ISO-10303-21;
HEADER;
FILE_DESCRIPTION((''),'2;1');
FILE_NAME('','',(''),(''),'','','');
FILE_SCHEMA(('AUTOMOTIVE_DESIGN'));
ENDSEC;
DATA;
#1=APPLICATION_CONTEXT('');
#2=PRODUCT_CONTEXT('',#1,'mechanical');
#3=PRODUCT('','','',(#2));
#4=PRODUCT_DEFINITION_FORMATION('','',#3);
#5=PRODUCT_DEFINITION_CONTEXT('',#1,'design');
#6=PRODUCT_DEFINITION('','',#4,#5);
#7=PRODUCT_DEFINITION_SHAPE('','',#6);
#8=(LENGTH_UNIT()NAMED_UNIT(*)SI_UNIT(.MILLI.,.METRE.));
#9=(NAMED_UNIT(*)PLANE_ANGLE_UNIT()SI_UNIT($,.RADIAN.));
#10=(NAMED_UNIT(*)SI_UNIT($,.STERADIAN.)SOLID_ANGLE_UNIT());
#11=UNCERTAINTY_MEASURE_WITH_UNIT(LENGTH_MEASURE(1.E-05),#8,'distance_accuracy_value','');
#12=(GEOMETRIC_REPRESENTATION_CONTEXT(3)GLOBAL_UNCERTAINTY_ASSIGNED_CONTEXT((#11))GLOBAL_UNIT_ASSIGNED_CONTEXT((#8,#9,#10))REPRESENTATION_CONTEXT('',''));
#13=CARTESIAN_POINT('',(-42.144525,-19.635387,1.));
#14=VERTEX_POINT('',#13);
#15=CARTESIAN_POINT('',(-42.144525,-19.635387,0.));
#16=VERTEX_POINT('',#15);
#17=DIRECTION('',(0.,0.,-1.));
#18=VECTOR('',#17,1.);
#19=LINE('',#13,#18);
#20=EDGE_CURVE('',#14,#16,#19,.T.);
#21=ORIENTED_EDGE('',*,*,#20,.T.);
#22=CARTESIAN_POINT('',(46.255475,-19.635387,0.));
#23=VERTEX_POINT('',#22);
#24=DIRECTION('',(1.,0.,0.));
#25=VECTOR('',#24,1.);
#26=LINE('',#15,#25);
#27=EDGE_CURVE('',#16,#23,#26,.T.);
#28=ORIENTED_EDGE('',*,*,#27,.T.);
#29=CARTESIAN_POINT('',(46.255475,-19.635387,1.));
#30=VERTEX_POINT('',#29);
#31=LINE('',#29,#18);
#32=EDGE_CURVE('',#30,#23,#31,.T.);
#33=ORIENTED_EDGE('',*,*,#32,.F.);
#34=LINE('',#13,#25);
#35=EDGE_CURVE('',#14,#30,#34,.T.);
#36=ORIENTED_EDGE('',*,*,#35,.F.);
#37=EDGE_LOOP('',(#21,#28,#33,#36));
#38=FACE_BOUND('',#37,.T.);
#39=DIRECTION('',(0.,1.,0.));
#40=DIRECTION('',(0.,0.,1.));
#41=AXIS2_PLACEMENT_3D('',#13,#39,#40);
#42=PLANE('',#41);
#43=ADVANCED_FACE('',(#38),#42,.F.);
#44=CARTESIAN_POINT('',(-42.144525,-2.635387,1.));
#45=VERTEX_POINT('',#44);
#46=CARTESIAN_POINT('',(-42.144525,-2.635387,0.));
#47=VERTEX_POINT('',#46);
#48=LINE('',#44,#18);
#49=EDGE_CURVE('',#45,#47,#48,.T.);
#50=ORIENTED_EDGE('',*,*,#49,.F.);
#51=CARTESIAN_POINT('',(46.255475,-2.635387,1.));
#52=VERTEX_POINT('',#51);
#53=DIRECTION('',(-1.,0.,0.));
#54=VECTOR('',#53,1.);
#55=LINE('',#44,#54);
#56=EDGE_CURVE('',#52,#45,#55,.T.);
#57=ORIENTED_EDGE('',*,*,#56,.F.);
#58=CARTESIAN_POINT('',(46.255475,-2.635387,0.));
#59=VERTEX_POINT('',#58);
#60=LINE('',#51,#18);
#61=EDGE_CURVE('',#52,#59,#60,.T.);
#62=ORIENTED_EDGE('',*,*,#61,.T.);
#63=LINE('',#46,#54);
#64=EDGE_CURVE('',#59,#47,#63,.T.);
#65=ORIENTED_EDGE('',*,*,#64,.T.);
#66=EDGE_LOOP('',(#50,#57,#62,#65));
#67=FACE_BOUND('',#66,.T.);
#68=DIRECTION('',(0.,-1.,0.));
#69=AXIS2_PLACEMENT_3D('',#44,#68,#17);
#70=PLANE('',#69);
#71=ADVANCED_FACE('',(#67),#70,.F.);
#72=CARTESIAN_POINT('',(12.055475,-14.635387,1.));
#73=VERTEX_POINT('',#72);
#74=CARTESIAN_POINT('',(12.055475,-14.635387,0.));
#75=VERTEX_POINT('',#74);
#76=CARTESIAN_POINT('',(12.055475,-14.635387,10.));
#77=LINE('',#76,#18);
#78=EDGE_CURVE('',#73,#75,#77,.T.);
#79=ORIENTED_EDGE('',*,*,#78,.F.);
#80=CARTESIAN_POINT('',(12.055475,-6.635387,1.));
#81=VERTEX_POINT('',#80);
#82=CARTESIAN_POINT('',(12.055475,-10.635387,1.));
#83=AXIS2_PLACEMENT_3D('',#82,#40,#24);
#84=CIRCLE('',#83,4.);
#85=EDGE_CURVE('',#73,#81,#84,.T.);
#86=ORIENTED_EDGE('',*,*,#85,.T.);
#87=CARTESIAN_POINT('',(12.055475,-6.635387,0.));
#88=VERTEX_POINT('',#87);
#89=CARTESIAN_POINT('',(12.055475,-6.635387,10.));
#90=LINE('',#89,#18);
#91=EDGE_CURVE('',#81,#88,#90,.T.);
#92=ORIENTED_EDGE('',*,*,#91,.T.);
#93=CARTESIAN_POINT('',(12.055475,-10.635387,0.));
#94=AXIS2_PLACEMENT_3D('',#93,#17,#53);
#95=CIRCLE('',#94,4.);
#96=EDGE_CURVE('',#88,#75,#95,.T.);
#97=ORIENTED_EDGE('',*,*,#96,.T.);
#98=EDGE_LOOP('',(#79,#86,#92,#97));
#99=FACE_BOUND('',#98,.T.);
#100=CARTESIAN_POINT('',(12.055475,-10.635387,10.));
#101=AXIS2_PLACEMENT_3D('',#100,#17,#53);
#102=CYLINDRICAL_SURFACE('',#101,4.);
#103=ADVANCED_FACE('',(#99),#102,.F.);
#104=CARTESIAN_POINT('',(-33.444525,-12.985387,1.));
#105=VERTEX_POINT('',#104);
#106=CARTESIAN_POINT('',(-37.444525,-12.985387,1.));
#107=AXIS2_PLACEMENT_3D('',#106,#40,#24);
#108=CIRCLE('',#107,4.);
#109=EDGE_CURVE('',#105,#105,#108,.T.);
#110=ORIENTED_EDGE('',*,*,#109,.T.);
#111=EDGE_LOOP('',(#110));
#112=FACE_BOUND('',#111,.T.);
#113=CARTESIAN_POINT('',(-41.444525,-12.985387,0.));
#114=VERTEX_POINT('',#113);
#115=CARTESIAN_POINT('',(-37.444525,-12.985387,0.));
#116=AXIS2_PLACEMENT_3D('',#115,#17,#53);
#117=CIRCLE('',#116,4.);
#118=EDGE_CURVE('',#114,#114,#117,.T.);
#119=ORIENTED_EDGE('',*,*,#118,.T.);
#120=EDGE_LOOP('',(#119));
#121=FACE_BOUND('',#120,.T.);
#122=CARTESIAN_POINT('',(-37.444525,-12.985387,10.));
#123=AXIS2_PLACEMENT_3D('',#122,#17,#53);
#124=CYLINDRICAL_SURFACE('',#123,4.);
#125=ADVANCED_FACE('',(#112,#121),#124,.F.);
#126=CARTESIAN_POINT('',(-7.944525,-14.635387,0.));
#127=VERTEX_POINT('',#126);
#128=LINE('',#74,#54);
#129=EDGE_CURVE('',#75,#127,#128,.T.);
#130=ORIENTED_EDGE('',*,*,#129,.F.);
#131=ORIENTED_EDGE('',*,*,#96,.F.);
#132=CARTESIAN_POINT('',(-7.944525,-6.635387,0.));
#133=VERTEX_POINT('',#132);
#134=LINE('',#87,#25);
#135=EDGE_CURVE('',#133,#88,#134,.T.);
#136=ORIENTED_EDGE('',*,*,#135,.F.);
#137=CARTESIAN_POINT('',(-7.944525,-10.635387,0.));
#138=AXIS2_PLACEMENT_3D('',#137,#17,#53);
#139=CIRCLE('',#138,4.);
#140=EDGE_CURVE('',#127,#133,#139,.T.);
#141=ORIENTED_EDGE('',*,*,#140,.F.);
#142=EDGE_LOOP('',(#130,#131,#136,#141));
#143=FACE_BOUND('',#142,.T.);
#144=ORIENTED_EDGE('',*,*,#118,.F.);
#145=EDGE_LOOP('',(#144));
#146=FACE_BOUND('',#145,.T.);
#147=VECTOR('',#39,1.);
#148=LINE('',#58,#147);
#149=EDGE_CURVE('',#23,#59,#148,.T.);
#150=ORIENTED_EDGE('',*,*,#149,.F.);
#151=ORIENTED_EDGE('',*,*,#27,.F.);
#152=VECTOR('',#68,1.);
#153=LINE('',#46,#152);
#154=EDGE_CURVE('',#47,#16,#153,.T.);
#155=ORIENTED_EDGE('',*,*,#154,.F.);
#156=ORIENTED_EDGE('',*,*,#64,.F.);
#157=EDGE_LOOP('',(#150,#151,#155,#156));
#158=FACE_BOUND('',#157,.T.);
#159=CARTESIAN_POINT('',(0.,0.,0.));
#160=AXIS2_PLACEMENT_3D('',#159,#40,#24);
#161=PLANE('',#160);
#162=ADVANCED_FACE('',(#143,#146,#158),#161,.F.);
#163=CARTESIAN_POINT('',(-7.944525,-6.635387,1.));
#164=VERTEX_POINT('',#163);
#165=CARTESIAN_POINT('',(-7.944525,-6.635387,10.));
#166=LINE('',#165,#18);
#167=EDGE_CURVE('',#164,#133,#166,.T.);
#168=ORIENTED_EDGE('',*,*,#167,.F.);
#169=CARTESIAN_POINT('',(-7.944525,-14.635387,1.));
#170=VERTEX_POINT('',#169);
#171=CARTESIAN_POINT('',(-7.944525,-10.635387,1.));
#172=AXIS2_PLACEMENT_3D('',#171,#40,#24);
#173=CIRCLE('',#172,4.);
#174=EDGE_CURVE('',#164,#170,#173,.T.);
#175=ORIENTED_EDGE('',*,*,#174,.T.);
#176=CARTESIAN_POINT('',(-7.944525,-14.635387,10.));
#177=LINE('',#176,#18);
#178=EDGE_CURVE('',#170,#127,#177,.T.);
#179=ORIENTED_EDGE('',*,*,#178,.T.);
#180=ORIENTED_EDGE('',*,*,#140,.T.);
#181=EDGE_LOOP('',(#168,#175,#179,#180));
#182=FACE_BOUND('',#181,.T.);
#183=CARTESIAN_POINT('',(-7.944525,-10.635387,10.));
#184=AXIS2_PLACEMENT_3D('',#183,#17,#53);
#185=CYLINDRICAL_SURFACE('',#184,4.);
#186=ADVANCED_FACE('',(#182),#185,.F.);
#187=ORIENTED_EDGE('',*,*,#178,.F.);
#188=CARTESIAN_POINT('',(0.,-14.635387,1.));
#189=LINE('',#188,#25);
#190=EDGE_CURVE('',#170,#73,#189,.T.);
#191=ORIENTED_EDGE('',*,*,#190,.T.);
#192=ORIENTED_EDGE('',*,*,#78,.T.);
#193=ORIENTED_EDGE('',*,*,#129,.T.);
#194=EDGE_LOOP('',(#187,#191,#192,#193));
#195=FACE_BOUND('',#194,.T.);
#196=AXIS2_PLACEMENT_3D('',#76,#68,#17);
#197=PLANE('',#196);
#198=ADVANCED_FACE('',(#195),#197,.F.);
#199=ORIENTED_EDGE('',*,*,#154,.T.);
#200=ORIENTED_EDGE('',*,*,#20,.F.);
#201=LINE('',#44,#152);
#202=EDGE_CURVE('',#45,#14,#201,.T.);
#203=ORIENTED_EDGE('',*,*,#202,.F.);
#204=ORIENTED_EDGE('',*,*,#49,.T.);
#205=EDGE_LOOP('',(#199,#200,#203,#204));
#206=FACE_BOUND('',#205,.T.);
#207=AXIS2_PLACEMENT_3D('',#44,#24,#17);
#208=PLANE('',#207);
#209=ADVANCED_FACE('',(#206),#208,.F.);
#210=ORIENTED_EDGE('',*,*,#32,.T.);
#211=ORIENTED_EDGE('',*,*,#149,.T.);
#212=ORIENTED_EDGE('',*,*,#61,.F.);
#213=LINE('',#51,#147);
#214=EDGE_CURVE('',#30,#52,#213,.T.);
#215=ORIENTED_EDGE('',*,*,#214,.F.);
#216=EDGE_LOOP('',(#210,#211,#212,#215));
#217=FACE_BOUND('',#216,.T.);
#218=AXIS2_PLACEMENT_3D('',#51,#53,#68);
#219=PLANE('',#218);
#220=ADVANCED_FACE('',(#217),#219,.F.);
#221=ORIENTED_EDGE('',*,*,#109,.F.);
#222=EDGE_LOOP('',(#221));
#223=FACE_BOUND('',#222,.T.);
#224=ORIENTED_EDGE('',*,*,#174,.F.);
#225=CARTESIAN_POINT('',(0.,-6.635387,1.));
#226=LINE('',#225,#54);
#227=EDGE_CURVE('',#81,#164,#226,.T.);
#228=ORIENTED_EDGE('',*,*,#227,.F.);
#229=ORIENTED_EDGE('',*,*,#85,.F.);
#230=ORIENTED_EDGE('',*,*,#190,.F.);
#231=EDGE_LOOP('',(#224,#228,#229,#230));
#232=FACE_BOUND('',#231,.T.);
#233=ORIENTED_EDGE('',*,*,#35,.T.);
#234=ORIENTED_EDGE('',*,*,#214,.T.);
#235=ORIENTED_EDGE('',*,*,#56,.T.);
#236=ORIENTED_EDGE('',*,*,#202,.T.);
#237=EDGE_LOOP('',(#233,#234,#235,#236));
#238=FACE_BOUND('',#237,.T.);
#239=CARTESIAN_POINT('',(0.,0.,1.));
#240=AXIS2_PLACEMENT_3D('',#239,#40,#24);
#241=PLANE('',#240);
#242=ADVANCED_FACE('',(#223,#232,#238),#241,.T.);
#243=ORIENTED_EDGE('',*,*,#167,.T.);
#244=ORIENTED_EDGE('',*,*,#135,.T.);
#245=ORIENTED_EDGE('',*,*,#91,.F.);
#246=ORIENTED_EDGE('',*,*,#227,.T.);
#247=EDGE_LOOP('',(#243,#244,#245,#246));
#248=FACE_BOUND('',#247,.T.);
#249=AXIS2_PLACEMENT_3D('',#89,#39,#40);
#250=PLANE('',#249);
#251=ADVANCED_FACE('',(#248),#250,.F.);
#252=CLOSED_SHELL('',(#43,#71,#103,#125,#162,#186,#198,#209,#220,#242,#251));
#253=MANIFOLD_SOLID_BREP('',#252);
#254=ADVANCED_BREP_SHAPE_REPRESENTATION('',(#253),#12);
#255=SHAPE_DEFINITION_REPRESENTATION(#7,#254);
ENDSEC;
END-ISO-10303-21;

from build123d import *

# Parameters (mm, degrees)
SKETCH1_W           = 88.4
SKETCH1_H           = 17
BOSS_EXTRUDE1_DEPTH = 1
SKETCH_1_R          = 4
CUT_EXTRUDE_1_DEPTH = 10


with BuildPart() as part:
    # Sketch1 → Boss-Extrude1 (new body)
    with BuildSketch(Plane.XY):
        with Locations((2.05547482, -11.135386556)):
            Rectangle(SKETCH1_W, SKETCH1_H)
    extrude(amount=BOSS_EXTRUDE1_DEPTH)

    # ｽｹｯﾁ1 → ｶｯﾄ - 押し出し1 (cut)
    with BuildSketch(Plane(origin=(0, 0, 0), x_dir=(-1, 0, 0), z_dir=(0, 0, -1))):
        with Locations((37.44452518, -12.985386556)):
            Circle(SKETCH_1_R)
        with BuildLine():
            Line((-12.05547482, -6.635386556), (7.94452518, -6.635386556))
            ThreePointArc((7.94452518, -6.635386556), (11.94452518, -10.635386556), (7.94452518, -14.635386556))
            Line((7.94452518, -14.635386556), (-12.05547482, -14.635386556))
            ThreePointArc((-12.05547482, -14.635386556), (-16.05547482, -10.635386556), (-12.05547482, -6.635386556))
        make_face()
    extrude(amount=-CUT_EXTRUDE_1_DEPTH, mode=Mode.SUBTRACT)


solid = part.part
